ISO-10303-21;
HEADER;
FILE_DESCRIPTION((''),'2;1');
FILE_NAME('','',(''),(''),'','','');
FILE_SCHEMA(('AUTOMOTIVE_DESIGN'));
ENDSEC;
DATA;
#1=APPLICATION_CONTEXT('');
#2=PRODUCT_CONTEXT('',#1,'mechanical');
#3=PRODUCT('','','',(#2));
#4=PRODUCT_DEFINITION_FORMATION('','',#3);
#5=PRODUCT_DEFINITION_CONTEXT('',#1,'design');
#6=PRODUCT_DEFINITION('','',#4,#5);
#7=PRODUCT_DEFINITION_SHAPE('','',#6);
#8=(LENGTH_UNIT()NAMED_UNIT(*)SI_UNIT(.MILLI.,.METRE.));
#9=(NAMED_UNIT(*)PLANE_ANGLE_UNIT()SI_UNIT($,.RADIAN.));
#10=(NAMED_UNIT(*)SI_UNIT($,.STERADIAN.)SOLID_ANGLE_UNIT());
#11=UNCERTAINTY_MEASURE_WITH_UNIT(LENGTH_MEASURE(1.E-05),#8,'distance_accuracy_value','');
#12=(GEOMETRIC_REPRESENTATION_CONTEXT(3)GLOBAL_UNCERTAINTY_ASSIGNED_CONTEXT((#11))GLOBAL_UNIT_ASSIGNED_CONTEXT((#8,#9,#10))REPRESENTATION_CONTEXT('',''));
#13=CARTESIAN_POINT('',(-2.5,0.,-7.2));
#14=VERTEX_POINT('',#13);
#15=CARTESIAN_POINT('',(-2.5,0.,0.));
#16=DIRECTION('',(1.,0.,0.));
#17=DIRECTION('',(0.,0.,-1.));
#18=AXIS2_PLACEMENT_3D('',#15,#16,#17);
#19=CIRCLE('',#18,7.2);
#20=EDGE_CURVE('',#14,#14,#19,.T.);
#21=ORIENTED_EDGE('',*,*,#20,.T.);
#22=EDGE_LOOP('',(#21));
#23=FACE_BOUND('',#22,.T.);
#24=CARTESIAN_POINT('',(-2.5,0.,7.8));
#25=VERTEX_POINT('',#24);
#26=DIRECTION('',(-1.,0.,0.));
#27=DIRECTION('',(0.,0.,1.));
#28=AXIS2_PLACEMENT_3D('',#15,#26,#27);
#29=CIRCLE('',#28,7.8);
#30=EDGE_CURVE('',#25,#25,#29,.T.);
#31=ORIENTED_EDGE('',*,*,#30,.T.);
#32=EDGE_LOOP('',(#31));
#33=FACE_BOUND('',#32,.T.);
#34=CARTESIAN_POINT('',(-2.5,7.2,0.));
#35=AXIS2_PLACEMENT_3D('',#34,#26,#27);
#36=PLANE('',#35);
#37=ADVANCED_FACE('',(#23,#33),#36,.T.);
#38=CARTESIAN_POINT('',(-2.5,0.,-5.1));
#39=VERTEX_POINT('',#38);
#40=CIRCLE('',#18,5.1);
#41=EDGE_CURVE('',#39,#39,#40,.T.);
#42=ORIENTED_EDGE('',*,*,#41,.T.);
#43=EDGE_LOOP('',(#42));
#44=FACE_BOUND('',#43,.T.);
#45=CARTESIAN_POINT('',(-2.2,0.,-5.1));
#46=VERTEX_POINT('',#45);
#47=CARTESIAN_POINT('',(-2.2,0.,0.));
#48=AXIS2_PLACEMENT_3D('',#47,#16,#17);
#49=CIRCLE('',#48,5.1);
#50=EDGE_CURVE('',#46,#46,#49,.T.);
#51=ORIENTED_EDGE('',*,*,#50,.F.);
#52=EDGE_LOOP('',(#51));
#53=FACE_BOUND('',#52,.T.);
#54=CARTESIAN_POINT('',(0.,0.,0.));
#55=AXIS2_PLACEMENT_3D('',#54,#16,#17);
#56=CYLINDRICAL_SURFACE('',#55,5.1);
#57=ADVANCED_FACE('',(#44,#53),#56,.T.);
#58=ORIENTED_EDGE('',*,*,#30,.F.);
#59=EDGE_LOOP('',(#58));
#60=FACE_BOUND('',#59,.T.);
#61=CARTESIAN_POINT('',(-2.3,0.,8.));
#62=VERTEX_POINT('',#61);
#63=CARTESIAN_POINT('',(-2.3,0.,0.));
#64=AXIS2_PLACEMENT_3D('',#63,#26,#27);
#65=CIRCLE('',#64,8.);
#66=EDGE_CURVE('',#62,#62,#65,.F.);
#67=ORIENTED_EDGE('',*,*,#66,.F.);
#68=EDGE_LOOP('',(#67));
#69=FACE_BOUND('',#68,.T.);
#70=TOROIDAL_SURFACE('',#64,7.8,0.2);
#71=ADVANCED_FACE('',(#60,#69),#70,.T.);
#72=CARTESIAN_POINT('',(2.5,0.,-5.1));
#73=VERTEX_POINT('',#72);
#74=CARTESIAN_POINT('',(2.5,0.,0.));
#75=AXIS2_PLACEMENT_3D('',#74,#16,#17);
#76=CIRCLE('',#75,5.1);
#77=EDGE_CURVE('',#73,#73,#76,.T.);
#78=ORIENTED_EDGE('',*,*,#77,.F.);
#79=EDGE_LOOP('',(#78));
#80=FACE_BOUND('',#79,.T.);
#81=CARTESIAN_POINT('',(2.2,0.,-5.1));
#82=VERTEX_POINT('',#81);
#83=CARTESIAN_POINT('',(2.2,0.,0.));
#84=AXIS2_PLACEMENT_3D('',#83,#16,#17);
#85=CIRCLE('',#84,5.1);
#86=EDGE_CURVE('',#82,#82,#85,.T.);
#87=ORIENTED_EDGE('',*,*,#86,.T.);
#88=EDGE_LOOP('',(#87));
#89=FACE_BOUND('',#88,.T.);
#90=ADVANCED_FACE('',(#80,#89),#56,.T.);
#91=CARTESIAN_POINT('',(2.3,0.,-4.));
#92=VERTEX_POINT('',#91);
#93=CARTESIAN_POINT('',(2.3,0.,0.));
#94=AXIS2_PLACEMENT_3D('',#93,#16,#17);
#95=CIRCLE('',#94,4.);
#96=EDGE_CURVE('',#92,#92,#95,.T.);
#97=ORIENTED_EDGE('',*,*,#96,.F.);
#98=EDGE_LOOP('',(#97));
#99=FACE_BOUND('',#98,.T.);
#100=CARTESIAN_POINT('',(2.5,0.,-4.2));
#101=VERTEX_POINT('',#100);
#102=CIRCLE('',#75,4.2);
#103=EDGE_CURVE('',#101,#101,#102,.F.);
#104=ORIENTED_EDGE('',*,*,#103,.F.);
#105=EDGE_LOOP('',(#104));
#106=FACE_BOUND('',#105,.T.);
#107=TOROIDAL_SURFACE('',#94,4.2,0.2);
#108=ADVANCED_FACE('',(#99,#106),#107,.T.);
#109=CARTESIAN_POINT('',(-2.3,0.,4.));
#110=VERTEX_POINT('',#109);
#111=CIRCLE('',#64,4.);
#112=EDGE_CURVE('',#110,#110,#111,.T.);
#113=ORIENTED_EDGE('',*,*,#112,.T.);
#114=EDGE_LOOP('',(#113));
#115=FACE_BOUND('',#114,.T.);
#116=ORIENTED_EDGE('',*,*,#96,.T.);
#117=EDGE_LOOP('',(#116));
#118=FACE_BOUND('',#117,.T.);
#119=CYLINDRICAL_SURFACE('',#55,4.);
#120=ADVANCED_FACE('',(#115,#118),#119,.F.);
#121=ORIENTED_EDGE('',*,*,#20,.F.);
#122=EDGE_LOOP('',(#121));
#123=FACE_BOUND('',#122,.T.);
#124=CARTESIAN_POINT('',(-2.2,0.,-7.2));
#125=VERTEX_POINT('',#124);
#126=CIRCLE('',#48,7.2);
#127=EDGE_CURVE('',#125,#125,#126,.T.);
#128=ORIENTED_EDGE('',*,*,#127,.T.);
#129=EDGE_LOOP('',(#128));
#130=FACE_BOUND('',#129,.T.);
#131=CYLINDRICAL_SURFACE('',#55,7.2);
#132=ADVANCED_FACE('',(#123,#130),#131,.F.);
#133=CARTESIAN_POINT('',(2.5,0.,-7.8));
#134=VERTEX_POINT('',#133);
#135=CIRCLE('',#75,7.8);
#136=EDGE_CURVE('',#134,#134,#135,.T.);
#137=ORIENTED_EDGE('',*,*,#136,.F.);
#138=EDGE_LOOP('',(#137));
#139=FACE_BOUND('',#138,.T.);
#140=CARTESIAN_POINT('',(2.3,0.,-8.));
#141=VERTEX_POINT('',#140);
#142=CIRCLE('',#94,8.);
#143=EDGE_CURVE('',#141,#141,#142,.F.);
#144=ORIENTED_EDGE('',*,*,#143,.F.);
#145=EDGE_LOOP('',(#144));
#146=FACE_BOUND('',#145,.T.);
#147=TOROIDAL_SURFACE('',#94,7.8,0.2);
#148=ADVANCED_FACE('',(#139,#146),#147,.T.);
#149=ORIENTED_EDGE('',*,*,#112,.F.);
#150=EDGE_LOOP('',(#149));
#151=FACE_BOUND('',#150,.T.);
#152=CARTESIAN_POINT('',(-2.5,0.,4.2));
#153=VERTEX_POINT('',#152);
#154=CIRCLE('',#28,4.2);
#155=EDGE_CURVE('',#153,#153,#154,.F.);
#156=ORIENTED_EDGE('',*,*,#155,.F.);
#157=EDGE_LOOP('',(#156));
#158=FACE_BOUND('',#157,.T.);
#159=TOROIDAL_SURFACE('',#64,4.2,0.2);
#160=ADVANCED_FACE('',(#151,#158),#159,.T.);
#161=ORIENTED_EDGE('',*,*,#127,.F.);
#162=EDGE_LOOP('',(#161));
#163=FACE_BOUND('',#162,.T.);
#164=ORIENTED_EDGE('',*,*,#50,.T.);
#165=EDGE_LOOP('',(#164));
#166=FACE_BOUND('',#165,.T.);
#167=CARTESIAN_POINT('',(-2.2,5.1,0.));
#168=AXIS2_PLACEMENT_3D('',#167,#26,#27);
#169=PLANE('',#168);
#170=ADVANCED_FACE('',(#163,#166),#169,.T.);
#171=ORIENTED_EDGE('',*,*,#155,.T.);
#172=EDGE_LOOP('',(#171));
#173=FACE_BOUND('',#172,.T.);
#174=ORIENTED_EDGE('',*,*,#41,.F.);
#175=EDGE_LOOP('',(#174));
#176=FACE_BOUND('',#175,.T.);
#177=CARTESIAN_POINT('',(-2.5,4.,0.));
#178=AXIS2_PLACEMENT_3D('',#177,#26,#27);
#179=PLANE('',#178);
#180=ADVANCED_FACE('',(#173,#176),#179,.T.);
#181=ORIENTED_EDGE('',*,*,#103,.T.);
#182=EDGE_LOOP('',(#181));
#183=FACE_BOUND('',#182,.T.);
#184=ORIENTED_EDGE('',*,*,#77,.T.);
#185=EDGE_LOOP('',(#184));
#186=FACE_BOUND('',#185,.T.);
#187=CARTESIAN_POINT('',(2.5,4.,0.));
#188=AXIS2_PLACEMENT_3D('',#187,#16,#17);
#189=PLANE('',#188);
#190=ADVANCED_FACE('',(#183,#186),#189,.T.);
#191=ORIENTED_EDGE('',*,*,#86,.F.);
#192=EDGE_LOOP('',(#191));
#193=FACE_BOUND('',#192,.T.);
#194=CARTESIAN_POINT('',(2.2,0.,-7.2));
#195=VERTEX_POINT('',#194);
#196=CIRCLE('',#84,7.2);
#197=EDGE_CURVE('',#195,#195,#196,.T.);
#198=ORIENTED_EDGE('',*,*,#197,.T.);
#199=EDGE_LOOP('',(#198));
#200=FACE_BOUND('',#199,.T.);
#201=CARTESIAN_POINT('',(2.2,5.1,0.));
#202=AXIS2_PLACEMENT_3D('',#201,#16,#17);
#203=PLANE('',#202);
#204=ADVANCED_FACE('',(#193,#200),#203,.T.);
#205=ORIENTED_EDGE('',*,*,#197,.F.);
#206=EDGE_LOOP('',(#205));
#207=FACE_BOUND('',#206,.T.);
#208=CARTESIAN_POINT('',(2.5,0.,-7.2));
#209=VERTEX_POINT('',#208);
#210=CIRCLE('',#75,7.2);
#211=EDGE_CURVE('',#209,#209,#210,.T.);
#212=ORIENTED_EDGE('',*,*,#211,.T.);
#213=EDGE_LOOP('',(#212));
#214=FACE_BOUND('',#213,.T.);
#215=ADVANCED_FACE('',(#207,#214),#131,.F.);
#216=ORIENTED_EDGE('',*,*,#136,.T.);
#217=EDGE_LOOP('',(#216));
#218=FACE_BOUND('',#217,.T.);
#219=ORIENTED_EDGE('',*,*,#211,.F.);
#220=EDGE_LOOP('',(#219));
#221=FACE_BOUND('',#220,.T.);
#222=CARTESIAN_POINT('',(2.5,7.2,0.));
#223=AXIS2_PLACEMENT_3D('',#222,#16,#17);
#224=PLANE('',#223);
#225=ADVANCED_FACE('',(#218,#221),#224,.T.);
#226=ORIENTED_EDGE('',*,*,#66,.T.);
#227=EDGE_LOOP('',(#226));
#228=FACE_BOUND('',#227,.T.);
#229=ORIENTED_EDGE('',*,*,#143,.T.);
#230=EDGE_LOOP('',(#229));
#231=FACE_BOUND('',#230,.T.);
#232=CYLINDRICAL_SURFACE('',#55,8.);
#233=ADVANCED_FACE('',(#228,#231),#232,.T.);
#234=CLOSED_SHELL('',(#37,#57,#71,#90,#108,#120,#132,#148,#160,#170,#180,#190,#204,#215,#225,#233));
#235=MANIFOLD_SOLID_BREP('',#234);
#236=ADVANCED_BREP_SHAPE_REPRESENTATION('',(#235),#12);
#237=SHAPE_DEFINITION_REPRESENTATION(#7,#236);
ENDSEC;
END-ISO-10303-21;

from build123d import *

# Parameters (mm, degrees)
FILLET1_R = 0.2


with BuildPart() as part:
    # Sketch1 → Revolve1 (revolve)
    with BuildSketch(Plane.XY, mode=Mode.PRIVATE) as revolve1_sk:
        Polygon((2.5, 4), (-2.5, 4), (-2.5, 5.1), (-2.2, 5.1), (-2.2, 7.2), (-2.5, 7.2), (-2.5, 8), (2.5, 8), (2.5, 7.2), (2.2, 7.2), (2.2, 5.1), (2.5, 5.1), align=None)
    revolve(revolve1_sk.sketch.rotate(Axis((0, 0, 0), (-1, 0, 0)), 90), axis=Axis((0, 0, 0), (-1, 0, 0)))

    # Fillet1
    fillet1_edges = [part.edges().sort_by_distance(p)[0] for p in [
        (2.5, 0, 8),
        (-2.5, 0, 8),
        (-2.5, 0, 4),
        (2.5, 0, 4),
    ]]
    fillet(fillet1_edges, radius=FILLET1_R)


solid = part.part
